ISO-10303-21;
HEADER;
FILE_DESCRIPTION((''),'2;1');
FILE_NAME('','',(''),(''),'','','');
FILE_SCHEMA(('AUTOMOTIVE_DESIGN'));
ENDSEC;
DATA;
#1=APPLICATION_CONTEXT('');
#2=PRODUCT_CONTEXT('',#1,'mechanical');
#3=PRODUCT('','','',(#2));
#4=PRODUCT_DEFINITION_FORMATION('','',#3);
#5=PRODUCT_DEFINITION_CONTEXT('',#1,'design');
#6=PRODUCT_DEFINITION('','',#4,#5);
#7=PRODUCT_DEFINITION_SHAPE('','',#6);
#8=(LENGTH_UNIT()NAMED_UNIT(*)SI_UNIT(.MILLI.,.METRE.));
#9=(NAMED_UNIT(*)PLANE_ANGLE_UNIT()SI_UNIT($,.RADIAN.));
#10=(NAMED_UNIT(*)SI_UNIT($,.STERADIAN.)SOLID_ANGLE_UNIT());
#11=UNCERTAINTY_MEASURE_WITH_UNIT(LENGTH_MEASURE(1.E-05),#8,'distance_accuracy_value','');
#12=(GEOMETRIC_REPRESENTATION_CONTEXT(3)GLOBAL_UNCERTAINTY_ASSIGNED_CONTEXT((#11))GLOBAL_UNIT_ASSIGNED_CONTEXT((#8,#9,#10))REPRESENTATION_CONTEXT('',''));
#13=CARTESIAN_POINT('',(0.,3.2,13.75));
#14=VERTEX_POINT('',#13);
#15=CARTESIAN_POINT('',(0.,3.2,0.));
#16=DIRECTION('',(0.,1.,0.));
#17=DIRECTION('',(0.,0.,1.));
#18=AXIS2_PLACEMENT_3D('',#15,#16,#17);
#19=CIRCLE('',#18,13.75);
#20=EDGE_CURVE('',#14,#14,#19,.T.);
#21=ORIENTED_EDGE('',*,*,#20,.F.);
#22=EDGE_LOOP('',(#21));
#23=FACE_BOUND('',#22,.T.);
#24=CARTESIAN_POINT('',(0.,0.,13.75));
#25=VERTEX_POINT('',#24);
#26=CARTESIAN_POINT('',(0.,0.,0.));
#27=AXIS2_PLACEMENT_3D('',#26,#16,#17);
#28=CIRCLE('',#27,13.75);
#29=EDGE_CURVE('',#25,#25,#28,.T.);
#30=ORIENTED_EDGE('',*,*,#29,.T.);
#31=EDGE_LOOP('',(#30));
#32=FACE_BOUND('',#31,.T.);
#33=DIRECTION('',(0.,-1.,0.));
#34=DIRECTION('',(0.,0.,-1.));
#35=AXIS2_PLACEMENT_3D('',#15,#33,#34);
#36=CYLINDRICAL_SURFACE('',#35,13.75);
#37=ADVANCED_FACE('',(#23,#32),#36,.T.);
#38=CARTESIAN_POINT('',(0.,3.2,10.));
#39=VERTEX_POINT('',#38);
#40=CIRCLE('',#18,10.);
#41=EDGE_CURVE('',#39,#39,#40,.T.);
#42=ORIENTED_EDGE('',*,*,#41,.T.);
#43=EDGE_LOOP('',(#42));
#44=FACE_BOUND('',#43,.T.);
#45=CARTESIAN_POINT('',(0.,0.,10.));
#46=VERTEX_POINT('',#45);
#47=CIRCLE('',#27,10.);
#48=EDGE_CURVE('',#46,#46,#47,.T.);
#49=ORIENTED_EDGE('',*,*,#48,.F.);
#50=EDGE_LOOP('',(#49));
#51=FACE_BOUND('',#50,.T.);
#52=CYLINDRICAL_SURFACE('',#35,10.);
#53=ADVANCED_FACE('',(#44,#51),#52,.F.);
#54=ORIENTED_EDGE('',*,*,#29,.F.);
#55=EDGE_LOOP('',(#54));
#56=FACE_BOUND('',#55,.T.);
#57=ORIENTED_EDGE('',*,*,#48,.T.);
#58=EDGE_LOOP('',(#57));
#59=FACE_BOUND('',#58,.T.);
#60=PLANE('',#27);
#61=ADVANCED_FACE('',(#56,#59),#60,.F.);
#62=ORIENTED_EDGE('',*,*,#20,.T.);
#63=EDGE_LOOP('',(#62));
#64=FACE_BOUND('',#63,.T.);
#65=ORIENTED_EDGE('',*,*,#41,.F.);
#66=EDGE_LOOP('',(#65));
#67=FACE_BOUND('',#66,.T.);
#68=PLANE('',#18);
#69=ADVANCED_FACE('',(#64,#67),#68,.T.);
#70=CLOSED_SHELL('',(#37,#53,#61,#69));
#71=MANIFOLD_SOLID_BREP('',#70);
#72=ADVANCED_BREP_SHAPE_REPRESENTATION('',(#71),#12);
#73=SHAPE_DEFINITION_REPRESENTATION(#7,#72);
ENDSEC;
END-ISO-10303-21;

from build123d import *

# Parameters (mm, degrees)
SKETCH_1_R      = 13.75
SKETCH_1_R_2    = 10
EXTRUDE_1_DEPTH = 3.2


with BuildPart() as part:
    # 草图1 → 凸台-拉伸1 (new body)
    with BuildSketch(Plane(origin=(0, 0, 0), x_dir=(1, 0, 0), z_dir=(0, 1, 0))):
        with Locations(Location((0, 0, 0), (0, 0, 270))):
            Circle(SKETCH_1_R)
        with Locations(Location((0, 0, 0), (0, 0, 270))):
            Circle(SKETCH_1_R_2, mode=Mode.SUBTRACT)
    extrude(amount=EXTRUDE_1_DEPTH)


solid = part.part
